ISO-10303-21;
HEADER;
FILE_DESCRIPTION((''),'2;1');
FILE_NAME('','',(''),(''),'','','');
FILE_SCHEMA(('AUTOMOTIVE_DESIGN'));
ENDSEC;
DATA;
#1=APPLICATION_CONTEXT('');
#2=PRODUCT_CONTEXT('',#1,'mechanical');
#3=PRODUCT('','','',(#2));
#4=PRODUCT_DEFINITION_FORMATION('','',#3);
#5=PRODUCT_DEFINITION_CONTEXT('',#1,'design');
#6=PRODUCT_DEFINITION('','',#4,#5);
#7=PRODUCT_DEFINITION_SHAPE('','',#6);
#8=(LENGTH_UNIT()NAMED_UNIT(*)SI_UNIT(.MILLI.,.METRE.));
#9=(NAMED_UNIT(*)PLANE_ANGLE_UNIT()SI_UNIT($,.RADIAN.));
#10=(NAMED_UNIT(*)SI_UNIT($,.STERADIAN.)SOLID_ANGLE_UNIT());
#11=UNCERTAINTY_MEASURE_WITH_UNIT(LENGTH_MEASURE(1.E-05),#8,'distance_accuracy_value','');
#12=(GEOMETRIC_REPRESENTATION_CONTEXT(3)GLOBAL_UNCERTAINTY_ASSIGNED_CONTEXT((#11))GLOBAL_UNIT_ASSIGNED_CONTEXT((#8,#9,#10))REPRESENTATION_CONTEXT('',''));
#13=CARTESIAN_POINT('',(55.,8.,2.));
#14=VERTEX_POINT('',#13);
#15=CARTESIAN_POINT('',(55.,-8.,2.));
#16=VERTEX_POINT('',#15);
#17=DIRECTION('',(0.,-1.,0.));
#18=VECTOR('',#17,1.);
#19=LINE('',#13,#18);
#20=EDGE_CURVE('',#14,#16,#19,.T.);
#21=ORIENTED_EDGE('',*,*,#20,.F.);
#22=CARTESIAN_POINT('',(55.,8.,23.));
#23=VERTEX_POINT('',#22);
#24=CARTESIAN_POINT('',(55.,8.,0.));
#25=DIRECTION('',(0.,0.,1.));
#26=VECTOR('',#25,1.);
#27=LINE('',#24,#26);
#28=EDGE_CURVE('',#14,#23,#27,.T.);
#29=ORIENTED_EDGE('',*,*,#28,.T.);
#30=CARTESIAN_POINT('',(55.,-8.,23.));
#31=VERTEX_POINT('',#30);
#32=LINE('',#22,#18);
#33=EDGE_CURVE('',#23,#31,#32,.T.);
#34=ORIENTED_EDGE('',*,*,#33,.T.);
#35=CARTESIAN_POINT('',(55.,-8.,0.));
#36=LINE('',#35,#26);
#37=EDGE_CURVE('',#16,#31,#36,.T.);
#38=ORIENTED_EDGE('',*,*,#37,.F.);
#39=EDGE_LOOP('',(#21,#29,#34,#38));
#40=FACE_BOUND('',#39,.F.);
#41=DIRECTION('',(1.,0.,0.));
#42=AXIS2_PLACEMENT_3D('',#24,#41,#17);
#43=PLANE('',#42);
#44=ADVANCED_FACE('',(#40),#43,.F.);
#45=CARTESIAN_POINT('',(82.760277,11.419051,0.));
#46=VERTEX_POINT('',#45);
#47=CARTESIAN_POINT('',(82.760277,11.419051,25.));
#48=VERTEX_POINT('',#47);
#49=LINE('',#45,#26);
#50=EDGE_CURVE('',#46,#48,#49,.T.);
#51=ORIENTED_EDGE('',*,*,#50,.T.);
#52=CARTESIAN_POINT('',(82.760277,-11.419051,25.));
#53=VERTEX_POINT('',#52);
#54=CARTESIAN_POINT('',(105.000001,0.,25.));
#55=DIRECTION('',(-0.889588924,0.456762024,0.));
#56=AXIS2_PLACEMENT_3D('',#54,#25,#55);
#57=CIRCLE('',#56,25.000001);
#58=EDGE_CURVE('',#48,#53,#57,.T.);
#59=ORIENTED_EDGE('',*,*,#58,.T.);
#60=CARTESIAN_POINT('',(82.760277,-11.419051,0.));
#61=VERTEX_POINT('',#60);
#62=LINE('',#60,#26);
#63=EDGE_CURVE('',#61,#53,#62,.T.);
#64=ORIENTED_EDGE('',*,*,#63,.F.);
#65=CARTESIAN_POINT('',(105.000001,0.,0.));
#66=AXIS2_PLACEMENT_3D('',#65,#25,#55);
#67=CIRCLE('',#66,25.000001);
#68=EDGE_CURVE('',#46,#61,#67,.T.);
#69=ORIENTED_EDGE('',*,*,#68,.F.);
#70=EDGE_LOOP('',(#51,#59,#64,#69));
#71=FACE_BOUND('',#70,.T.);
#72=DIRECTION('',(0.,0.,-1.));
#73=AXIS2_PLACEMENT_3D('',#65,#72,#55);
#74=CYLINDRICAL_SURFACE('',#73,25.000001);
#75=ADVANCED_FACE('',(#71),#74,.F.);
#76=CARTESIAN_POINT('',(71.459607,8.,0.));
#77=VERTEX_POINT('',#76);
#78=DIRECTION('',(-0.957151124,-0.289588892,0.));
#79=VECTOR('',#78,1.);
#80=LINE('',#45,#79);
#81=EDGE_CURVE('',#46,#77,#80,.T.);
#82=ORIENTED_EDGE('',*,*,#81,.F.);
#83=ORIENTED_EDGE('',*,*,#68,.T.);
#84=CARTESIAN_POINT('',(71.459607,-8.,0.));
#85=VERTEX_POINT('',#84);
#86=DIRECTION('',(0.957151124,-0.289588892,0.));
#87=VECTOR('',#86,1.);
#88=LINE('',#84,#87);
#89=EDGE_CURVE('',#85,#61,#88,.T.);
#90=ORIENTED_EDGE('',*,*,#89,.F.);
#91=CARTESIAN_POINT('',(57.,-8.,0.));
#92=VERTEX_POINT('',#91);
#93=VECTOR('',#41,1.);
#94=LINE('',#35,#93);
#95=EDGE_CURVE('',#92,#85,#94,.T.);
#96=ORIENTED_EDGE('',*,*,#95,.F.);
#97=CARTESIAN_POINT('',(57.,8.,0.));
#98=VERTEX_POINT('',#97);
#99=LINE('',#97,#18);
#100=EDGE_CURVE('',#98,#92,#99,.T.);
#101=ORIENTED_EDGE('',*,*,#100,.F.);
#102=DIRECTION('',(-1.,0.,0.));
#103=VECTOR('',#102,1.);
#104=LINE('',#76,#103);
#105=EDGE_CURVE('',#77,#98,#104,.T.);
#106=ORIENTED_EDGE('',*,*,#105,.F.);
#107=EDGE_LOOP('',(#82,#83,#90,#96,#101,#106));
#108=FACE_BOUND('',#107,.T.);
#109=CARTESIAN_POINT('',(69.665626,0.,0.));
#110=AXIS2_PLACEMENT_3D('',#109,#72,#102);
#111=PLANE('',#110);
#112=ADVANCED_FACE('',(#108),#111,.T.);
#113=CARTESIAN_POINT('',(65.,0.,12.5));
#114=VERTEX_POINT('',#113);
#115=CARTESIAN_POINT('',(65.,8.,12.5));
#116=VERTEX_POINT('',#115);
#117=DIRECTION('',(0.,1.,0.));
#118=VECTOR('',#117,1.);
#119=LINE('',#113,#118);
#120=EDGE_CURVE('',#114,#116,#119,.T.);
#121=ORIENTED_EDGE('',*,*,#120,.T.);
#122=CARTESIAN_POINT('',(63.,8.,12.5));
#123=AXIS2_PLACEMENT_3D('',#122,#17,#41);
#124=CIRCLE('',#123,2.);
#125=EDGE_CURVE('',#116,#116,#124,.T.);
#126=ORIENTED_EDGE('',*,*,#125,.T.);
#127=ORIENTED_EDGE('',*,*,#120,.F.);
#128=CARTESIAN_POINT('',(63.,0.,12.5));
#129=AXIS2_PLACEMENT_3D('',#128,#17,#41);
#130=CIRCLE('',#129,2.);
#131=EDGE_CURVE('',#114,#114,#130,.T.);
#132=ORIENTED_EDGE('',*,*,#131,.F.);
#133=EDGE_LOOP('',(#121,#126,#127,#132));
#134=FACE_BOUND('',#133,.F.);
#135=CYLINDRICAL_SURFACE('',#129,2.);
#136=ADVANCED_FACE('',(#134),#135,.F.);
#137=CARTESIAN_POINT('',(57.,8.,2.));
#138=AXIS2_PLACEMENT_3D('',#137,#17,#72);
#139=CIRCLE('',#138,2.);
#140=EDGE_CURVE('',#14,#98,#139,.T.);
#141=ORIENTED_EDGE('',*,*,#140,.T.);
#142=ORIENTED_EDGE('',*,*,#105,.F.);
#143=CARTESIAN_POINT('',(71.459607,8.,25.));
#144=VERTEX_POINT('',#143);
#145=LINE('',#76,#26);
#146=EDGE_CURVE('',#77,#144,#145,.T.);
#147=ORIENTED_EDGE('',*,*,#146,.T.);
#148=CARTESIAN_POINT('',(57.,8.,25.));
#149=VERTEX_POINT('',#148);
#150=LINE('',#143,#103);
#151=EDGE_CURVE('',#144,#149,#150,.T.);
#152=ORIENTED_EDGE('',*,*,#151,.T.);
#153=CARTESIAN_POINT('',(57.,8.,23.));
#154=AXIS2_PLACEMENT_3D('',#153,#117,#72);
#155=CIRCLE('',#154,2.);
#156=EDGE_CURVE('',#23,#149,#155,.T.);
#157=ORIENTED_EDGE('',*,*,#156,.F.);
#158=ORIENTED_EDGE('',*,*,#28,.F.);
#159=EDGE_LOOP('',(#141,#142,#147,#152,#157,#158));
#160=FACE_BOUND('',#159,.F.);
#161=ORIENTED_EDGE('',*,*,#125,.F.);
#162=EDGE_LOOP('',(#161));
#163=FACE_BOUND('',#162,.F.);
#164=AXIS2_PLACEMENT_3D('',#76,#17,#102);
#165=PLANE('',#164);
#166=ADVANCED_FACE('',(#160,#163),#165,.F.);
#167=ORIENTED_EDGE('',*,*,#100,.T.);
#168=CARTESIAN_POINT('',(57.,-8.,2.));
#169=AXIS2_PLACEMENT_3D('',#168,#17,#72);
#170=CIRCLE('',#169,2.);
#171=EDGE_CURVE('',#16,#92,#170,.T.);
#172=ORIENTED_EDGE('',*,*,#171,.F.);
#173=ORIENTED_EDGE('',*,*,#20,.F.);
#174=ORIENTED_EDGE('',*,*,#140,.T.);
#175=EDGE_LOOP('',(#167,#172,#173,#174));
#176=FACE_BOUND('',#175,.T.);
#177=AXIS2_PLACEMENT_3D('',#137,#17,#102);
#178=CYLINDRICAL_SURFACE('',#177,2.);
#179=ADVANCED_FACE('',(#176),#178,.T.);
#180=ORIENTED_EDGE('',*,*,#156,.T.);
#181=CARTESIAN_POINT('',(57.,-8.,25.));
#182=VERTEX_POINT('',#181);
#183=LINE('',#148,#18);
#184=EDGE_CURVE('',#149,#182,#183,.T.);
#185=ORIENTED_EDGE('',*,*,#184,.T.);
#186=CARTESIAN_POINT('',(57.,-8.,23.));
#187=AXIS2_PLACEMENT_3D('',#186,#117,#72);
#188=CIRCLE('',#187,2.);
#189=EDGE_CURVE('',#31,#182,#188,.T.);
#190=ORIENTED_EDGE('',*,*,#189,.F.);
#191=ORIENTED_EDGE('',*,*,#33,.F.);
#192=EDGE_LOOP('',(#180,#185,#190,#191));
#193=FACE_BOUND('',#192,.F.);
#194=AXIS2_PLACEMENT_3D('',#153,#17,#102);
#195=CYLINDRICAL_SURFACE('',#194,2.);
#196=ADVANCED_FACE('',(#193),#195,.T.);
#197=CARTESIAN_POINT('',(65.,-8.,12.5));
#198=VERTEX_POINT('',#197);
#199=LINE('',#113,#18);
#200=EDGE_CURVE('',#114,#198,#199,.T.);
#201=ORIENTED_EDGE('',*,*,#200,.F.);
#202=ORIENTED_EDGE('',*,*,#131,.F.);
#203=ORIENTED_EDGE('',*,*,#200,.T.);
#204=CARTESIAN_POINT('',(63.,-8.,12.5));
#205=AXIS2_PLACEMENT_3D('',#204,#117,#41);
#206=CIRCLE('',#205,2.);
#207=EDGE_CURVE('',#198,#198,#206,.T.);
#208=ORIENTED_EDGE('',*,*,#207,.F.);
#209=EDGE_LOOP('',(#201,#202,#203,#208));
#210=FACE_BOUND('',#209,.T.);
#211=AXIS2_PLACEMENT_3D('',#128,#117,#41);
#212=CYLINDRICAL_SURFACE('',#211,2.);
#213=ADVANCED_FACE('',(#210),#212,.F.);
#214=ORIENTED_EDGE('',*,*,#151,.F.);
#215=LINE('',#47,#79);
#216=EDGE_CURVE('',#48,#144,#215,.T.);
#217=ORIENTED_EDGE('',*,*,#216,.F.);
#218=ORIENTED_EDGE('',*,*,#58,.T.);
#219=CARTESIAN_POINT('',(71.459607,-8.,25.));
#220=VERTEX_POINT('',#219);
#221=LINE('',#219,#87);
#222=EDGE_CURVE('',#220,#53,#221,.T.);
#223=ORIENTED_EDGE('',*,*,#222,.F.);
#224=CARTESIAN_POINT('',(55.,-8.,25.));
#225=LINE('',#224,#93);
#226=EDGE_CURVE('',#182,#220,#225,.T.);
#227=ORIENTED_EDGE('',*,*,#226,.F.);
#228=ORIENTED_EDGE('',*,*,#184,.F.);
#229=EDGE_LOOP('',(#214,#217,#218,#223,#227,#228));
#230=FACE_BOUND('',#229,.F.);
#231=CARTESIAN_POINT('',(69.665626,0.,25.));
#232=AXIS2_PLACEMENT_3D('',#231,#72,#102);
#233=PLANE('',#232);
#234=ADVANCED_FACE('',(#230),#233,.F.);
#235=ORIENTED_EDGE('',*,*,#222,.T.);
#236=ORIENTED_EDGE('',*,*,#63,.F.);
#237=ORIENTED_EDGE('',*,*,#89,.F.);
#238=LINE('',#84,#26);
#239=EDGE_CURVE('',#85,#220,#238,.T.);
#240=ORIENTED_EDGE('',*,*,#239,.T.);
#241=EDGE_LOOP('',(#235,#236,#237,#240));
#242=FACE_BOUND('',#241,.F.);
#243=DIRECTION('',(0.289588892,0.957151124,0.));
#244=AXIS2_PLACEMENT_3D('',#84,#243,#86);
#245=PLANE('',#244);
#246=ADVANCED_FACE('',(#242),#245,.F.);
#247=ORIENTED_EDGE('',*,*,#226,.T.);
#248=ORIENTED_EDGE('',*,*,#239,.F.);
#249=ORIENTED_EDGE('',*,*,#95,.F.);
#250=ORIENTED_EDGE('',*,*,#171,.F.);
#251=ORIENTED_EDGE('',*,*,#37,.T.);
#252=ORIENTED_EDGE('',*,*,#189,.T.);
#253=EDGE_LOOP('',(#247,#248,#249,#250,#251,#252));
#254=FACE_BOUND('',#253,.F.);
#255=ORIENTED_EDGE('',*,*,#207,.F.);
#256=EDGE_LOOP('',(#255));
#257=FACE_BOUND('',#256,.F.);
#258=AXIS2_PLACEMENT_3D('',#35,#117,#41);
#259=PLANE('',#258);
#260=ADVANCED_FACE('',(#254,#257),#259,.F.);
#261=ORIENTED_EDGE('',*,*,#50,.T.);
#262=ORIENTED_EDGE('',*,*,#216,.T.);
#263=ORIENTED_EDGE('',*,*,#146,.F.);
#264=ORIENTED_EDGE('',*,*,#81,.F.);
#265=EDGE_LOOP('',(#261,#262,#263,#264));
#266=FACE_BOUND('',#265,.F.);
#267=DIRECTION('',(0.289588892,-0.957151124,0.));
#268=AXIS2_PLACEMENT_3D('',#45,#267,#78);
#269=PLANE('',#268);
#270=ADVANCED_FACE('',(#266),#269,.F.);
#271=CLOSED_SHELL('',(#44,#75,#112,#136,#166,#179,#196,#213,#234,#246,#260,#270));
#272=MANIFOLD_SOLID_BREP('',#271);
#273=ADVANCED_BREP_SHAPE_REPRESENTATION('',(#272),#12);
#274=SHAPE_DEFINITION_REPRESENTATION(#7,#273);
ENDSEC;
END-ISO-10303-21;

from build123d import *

# Parameters (mm, degrees)
PAD004_DEPTH         = 25
FILLET005_R          = 2
SKETCH009_R          = 2
POCKET004_DEPTH      = 11.420051
POCKET004_DEPTH_BACK = 11.420051


with BuildPart() as part:
    # Sketch008 → Pad004 (new body)
    with BuildSketch(Plane.XY):
        with BuildLine():
            ThreePointArc((-7.239723, 11.419051), (-10, 0), (-7.239723, -11.419051))
            Line((-18.540393, -8), (-7.239723, -11.419051))
            Line((-35, -8), (-18.540393, -8))
            Line((-35, 8), (-35, -8))
            Line((-18.540393, 8), (-35, 8))
            Line((-7.239723, 11.419051), (-18.540393, 8))
        make_face()
    extrude(amount=PAD004_DEPTH)

    # Fillet005
    fillet005_edges = [part.edges().sort_by_distance(p)[0] for p in [
        (-35, 0, 25),
        (-35, 0, 0),
    ]]
    fillet(fillet005_edges, radius=FILLET005_R)

    # Sketch009 → Pocket004 (cut, two sides)
    with BuildSketch(Plane.XZ) as pocket004_sk:
        with Locations((-27, 12.5)):
            Circle(SKETCH009_R)
    extrude(amount=-POCKET004_DEPTH, mode=Mode.SUBTRACT)
    extrude(pocket004_sk.sketch, amount=POCKET004_DEPTH_BACK, mode=Mode.SUBTRACT)


with BuildPart() as part_1:
    # Body004 placement: moved
    add(part.part.moved(Location((90, 0, 0))))


solid = part_1.part
